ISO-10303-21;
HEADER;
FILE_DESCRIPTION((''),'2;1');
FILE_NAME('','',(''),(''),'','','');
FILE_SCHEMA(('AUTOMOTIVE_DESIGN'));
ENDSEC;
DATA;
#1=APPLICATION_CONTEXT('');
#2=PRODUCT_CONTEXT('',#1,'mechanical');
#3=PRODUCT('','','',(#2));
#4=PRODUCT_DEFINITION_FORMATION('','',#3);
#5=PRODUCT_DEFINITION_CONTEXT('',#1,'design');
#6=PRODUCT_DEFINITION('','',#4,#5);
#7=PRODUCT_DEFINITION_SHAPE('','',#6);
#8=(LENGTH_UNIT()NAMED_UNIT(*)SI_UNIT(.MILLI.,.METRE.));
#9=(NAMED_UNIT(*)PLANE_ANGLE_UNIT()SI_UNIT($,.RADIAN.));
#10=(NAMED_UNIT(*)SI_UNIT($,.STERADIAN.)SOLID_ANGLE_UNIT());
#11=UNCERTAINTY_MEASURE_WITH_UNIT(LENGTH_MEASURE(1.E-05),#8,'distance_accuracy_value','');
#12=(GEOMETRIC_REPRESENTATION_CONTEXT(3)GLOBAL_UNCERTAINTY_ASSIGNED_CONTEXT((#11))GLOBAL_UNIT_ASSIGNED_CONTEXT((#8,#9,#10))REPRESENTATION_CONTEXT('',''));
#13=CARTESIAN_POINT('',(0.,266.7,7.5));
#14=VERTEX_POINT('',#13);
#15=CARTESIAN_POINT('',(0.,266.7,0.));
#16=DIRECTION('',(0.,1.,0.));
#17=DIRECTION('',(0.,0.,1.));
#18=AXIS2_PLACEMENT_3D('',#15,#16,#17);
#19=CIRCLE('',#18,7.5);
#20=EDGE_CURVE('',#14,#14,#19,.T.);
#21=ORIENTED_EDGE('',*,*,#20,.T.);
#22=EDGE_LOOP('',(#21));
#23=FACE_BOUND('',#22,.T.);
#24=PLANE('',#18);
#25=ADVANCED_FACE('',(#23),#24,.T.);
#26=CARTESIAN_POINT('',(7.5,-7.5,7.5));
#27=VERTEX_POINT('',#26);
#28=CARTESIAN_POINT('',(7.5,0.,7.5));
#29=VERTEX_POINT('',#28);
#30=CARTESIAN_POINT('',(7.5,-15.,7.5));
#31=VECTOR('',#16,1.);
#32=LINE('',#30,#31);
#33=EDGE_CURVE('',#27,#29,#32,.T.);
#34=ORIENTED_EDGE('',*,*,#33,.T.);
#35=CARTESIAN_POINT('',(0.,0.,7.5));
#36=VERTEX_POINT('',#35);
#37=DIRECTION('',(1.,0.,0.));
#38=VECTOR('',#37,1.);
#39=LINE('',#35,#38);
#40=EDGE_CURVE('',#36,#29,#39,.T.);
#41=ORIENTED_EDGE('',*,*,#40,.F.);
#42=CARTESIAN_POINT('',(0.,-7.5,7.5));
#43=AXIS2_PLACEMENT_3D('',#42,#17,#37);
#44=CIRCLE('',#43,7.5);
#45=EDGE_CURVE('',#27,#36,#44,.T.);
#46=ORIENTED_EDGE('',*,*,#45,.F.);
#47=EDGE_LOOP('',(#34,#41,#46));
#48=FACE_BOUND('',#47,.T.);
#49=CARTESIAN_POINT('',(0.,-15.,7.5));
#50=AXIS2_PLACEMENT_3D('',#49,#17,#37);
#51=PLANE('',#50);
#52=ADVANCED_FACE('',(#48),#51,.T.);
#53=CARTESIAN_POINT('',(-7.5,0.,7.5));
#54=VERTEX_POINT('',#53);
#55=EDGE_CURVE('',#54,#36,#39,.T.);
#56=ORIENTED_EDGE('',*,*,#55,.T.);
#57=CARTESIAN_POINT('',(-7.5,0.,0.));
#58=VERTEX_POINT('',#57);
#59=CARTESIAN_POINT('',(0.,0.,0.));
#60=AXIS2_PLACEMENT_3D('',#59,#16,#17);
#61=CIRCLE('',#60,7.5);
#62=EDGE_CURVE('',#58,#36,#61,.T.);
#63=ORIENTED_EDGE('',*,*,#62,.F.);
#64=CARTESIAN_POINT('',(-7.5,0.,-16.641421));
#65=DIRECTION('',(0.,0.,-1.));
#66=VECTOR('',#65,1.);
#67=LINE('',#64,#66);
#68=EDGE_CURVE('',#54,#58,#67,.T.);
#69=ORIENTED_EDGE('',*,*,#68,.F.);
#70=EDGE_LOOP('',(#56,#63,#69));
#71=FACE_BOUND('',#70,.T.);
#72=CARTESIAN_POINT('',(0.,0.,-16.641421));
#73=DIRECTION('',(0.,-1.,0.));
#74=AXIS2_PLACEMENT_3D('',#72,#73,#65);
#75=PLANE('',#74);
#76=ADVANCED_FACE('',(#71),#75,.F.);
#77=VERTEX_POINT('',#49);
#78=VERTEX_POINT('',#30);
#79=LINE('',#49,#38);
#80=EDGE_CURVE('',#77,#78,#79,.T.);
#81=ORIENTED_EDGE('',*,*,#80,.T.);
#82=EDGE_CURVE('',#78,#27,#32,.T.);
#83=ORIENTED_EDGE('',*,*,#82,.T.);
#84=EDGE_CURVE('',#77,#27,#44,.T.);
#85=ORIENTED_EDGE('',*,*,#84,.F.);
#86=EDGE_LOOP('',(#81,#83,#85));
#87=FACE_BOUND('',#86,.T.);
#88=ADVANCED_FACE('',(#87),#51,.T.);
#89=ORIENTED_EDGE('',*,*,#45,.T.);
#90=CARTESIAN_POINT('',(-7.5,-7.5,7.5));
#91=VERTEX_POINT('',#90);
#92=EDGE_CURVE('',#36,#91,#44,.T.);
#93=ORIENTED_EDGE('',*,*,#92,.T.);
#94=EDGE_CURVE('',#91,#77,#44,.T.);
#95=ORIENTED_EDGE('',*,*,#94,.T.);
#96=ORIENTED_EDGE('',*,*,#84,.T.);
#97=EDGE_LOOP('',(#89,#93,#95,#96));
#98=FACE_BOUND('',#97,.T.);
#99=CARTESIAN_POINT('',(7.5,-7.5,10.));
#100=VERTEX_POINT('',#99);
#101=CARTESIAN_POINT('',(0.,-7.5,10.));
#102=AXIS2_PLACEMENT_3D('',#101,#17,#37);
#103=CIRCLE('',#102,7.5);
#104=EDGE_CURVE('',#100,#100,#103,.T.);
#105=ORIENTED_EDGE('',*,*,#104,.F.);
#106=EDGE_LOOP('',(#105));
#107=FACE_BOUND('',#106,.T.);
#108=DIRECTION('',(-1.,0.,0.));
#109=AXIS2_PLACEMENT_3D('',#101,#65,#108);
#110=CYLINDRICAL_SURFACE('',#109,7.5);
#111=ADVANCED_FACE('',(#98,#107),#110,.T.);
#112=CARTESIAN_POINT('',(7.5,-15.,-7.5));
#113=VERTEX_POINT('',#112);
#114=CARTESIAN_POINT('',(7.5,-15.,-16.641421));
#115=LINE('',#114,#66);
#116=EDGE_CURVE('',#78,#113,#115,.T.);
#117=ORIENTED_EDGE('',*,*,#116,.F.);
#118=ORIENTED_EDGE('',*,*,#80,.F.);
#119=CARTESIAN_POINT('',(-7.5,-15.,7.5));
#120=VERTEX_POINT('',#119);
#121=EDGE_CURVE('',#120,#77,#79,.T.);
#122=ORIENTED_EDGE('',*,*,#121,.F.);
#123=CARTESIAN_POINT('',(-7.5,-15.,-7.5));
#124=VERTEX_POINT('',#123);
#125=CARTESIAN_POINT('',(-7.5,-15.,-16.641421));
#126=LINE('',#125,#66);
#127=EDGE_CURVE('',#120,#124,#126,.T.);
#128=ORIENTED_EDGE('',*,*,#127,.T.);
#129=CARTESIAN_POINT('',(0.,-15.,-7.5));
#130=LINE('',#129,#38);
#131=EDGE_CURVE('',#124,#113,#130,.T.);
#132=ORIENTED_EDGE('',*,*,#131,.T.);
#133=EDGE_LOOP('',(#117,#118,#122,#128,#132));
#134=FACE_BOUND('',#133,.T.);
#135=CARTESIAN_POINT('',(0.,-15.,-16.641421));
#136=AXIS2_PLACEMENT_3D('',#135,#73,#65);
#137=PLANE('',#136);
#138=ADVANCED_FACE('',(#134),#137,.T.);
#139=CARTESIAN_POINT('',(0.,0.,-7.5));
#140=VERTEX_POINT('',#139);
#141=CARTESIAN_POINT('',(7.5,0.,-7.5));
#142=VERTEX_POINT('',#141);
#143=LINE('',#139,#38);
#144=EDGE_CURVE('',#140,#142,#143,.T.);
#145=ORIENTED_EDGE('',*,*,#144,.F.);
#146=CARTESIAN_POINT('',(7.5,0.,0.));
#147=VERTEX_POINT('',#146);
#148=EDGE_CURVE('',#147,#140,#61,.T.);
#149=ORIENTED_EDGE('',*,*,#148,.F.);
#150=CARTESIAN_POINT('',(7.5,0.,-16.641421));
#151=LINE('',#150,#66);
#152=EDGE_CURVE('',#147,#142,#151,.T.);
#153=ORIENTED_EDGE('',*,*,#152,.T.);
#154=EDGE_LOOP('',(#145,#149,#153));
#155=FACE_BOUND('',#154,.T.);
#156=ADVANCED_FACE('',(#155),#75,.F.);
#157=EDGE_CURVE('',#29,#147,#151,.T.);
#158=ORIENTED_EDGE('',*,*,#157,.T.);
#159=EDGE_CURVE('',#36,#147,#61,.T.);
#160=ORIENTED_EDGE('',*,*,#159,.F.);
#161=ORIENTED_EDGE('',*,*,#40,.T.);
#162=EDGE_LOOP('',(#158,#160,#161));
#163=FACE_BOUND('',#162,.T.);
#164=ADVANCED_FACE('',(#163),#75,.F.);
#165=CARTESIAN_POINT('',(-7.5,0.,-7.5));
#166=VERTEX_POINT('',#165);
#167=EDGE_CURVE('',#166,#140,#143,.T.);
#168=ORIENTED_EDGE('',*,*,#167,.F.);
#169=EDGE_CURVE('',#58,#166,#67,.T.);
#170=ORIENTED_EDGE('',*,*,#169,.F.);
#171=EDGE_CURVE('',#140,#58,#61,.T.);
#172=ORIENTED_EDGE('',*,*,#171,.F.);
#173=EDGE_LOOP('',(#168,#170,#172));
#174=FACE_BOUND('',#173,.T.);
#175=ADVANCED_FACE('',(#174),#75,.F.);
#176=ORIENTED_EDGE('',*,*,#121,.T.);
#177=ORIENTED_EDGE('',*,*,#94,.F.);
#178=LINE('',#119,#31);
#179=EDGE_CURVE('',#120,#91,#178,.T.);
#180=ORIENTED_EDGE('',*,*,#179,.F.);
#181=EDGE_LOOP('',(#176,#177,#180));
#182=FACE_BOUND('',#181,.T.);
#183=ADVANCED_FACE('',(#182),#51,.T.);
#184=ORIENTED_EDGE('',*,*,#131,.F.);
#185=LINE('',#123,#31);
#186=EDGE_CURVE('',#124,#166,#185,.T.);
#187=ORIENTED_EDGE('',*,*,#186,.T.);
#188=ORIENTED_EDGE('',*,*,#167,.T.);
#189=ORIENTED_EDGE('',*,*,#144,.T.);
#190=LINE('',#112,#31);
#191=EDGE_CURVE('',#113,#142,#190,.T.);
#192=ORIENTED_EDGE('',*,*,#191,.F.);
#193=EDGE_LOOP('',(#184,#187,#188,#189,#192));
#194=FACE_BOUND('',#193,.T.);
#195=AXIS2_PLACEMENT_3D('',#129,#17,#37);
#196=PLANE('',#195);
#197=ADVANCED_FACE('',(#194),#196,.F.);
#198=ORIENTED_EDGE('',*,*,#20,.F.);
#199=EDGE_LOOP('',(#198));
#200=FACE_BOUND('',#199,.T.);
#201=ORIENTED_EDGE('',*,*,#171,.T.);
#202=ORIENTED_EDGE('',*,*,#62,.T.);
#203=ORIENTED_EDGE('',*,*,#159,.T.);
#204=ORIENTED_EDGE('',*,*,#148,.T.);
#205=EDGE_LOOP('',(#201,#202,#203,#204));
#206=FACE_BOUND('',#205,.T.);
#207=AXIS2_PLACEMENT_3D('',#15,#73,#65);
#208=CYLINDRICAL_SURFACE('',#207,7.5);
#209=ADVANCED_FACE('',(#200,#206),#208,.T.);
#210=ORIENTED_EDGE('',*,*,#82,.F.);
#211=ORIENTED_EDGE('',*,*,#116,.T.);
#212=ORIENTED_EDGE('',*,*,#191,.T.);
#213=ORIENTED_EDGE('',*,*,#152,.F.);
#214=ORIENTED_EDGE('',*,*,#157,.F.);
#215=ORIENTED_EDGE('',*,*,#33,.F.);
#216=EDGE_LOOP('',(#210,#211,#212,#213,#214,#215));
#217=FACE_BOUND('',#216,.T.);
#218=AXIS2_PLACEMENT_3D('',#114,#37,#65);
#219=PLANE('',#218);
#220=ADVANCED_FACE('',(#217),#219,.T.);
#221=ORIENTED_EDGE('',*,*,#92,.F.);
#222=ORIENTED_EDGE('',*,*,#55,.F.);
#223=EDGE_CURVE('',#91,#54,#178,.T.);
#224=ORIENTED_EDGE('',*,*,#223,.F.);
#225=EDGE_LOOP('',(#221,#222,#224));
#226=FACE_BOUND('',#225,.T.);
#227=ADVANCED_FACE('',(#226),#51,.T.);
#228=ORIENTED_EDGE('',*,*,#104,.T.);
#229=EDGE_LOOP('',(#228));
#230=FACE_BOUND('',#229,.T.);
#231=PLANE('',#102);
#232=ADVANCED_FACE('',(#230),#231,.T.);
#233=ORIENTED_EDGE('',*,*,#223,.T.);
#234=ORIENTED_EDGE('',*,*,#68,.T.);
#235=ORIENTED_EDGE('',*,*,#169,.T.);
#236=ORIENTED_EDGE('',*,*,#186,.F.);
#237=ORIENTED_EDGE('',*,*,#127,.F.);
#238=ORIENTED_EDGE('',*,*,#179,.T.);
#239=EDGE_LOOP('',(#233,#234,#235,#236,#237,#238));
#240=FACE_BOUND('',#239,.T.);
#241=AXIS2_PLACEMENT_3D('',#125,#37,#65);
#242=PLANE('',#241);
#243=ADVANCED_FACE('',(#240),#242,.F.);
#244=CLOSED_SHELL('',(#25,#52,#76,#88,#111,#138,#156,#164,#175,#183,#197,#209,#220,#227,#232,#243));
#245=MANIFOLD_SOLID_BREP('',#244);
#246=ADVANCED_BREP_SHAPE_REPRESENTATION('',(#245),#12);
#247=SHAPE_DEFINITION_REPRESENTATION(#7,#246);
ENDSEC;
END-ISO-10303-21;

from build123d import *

# Parameters (mm, degrees)
SKETCH1_R           = 7.5
BOSS_EXTRUDE1_DEPTH = 266.7
BOSS_EXTRUDE2_START = 15
SKETCH2_R           = 7.5
BOSS_EXTRUDE2_DEPTH = 15
SKETCH3_R           = 7.5
BOSS_EXTRUDE3_DEPTH = 2.5


with BuildPart() as part:
    # Sketch1 → Boss-Extrude1 (new body)
    with BuildSketch(Plane(origin=(0, 0, 0), x_dir=(1, 0, 0), z_dir=(0, 1, 0))):
        with Locations(Location((0, 0, 0), (0, 0, 270))):
            Circle(SKETCH1_R)
    extrude(amount=BOSS_EXTRUDE1_DEPTH)

    # Sketch2 → Boss-Extrude2 (add)
    with BuildSketch(Plane.XZ.offset(BOSS_EXTRUDE2_START)):
        with BuildLine():
            Line((0, 7.5), (-7.5, 7.5))
            Line((-7.5, 7.5), (-7.5, 0))
            ThreePointArc((-7.5, 0), (-5.303300859, 5.303300859), (0, 7.5))
        make_face()
        with Locations(Location((0, 0, 0), (0, 0, 90))):
            Circle(SKETCH2_R)
        with BuildLine():
            Line((7.5, 7.5), (0, 7.5))
            ThreePointArc((0, 7.5), (5.303300859, 5.303300859), (7.5, 0))
            Line((7.5, 0), (7.5, 7.5))
        make_face()
        with BuildLine():
            Line((7.5, -7.5), (7.5, 0))
            ThreePointArc((7.5, 0), (5.303300859, -5.303300859), (0, -7.5))
            Line((0, -7.5), (7.5, -7.5))
        make_face()
        with BuildLine():
            ThreePointArc((0, -7.5), (-5.303300859, -5.303300859), (-7.5, 0))
            Line((-7.5, 0), (-7.5, -7.5))
            Line((-7.5, -7.5), (0, -7.5))
        make_face()
    extrude(amount=-BOSS_EXTRUDE2_DEPTH)

    # Sketch3 → Boss-Extrude3 (add)
    with BuildSketch(Plane.XY.offset(7.5)):
        with Locations((0, -7.5)):
            Circle(SKETCH3_R)
    extrude(amount=BOSS_EXTRUDE3_DEPTH)


solid = part.part
